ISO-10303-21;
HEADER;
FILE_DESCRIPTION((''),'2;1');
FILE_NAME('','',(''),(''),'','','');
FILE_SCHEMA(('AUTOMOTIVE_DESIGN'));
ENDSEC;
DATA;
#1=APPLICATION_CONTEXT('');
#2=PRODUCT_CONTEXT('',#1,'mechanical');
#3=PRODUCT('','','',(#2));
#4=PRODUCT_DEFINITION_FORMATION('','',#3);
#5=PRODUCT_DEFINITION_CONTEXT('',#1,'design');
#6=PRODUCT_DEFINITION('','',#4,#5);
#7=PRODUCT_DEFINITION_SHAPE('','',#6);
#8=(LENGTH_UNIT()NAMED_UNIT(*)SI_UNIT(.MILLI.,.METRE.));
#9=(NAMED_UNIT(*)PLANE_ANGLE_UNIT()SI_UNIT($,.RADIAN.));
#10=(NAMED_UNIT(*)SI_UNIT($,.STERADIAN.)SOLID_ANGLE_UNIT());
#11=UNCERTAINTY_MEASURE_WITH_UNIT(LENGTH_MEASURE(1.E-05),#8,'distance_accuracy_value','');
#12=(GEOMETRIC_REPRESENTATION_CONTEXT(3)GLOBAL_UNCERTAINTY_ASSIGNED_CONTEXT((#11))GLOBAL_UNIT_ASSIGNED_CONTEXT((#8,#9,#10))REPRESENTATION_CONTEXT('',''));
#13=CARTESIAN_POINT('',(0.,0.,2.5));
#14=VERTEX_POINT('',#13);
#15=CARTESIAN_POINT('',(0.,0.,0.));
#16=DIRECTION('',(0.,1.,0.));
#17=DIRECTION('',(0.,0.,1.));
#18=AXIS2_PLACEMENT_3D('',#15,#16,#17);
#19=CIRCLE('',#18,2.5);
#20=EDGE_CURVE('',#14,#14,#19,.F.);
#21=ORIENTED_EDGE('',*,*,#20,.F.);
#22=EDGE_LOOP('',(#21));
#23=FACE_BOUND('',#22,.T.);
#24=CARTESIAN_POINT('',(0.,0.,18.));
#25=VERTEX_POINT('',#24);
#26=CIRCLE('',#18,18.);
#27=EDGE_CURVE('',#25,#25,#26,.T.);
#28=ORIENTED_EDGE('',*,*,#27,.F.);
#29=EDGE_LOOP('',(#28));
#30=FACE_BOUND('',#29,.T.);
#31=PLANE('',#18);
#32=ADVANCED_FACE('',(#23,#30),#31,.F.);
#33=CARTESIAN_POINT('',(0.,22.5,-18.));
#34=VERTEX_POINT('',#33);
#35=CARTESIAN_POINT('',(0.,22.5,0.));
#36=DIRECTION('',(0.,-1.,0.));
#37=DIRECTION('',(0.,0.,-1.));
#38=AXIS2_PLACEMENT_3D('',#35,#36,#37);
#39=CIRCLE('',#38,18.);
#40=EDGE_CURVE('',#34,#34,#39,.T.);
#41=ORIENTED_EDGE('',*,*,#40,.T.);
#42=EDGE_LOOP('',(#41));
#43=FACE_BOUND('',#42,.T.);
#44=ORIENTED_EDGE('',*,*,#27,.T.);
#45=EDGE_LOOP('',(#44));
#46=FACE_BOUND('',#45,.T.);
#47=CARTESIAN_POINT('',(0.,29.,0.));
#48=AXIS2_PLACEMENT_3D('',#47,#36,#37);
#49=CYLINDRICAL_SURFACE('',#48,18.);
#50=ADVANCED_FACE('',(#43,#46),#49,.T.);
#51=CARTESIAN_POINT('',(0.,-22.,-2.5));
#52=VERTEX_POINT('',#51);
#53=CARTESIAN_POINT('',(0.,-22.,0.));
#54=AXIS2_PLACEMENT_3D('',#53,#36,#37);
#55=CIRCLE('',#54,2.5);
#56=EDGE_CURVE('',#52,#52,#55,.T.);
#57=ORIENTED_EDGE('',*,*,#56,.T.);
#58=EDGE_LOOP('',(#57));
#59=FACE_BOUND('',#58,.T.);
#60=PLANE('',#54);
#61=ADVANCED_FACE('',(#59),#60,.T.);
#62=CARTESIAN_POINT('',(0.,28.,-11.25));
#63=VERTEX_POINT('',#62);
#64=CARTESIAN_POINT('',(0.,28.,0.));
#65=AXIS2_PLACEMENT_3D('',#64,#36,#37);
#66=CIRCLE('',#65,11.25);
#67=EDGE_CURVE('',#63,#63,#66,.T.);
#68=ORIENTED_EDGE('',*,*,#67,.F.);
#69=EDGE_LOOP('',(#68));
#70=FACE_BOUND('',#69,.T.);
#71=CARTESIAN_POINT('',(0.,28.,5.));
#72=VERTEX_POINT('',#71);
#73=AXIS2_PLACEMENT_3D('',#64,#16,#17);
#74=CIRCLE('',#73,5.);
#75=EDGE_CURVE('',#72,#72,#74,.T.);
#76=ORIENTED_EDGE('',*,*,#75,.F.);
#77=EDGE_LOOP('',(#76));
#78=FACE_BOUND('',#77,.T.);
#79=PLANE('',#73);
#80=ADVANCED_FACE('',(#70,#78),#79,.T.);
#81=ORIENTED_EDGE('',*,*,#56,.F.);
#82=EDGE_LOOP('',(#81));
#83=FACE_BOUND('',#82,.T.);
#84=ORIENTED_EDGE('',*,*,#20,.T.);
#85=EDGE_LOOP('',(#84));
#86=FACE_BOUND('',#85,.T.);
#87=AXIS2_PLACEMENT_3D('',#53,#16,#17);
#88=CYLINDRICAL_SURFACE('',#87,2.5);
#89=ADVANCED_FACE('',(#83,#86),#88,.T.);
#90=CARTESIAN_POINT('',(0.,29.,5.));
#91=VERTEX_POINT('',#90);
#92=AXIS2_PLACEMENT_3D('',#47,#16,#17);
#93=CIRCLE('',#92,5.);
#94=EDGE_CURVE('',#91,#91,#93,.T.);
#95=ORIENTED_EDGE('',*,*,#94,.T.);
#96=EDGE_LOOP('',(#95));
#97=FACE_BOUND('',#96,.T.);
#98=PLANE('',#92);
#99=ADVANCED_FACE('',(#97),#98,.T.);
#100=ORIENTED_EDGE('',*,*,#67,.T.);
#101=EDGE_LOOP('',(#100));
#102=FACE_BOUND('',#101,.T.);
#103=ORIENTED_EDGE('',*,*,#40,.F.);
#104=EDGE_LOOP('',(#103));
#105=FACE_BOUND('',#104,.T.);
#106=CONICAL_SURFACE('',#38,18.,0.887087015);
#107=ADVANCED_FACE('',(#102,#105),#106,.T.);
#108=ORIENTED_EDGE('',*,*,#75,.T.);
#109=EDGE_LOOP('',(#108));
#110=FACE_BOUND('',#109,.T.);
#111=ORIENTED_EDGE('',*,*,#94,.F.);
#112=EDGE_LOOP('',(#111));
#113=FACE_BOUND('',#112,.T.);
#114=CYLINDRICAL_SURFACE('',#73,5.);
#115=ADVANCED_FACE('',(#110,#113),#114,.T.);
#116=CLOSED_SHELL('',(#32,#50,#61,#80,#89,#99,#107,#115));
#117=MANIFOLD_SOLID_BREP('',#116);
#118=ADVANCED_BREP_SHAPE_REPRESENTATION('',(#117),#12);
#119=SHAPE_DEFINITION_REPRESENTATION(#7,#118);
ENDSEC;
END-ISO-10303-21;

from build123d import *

# Parameters (mm, degrees)
CROQUIS1_R              = 18
SALIENTE_EXTRUIR1_DEPTH = 29
CROQUIS2_R              = 2.5
SALIENTE_EXTRUIR2_DEPTH = 22
CROQUIS3_R              = 18
CROQUIS3_R_2            = 5
CORTAR_EXTRUIR1_DEPTH   = 1


with BuildPart() as part:
    # Croquis1 → Saliente-Extruir1 (new body)
    with BuildSketch(Plane(origin=(0, 0, 0), x_dir=(1, 0, 0), z_dir=(0, 1, 0))):
        Circle(CROQUIS1_R)
    extrude(amount=SALIENTE_EXTRUIR1_DEPTH)

    # Croquis2 → Saliente-Extruir2 (add)
    with BuildSketch(Plane.XZ):
        Circle(CROQUIS2_R)
    extrude(amount=SALIENTE_EXTRUIR2_DEPTH)

    # Croquis3 → Cortar-Extruir1 (cut)
    with BuildSketch(Plane(origin=(0, 29, 0), x_dir=(1, 0, 0), z_dir=(0, 1, 0))):
        Circle(CROQUIS3_R)
        Circle(CROQUIS3_R_2, mode=Mode.SUBTRACT)
    extrude(amount=-CORTAR_EXTRUIR1_DEPTH, mode=Mode.SUBTRACT)

    # Croquis4 → Cortar-Revolución1 (revolve, cut)
    with BuildSketch(Plane.XY):
        Polygon((-18, 22.5), (-11.25, 28), (-18, 28), align=None)
    revolve(axis=Axis((0, 0, 0), (0, 1, 0)), mode=Mode.SUBTRACT)


solid = part.part
